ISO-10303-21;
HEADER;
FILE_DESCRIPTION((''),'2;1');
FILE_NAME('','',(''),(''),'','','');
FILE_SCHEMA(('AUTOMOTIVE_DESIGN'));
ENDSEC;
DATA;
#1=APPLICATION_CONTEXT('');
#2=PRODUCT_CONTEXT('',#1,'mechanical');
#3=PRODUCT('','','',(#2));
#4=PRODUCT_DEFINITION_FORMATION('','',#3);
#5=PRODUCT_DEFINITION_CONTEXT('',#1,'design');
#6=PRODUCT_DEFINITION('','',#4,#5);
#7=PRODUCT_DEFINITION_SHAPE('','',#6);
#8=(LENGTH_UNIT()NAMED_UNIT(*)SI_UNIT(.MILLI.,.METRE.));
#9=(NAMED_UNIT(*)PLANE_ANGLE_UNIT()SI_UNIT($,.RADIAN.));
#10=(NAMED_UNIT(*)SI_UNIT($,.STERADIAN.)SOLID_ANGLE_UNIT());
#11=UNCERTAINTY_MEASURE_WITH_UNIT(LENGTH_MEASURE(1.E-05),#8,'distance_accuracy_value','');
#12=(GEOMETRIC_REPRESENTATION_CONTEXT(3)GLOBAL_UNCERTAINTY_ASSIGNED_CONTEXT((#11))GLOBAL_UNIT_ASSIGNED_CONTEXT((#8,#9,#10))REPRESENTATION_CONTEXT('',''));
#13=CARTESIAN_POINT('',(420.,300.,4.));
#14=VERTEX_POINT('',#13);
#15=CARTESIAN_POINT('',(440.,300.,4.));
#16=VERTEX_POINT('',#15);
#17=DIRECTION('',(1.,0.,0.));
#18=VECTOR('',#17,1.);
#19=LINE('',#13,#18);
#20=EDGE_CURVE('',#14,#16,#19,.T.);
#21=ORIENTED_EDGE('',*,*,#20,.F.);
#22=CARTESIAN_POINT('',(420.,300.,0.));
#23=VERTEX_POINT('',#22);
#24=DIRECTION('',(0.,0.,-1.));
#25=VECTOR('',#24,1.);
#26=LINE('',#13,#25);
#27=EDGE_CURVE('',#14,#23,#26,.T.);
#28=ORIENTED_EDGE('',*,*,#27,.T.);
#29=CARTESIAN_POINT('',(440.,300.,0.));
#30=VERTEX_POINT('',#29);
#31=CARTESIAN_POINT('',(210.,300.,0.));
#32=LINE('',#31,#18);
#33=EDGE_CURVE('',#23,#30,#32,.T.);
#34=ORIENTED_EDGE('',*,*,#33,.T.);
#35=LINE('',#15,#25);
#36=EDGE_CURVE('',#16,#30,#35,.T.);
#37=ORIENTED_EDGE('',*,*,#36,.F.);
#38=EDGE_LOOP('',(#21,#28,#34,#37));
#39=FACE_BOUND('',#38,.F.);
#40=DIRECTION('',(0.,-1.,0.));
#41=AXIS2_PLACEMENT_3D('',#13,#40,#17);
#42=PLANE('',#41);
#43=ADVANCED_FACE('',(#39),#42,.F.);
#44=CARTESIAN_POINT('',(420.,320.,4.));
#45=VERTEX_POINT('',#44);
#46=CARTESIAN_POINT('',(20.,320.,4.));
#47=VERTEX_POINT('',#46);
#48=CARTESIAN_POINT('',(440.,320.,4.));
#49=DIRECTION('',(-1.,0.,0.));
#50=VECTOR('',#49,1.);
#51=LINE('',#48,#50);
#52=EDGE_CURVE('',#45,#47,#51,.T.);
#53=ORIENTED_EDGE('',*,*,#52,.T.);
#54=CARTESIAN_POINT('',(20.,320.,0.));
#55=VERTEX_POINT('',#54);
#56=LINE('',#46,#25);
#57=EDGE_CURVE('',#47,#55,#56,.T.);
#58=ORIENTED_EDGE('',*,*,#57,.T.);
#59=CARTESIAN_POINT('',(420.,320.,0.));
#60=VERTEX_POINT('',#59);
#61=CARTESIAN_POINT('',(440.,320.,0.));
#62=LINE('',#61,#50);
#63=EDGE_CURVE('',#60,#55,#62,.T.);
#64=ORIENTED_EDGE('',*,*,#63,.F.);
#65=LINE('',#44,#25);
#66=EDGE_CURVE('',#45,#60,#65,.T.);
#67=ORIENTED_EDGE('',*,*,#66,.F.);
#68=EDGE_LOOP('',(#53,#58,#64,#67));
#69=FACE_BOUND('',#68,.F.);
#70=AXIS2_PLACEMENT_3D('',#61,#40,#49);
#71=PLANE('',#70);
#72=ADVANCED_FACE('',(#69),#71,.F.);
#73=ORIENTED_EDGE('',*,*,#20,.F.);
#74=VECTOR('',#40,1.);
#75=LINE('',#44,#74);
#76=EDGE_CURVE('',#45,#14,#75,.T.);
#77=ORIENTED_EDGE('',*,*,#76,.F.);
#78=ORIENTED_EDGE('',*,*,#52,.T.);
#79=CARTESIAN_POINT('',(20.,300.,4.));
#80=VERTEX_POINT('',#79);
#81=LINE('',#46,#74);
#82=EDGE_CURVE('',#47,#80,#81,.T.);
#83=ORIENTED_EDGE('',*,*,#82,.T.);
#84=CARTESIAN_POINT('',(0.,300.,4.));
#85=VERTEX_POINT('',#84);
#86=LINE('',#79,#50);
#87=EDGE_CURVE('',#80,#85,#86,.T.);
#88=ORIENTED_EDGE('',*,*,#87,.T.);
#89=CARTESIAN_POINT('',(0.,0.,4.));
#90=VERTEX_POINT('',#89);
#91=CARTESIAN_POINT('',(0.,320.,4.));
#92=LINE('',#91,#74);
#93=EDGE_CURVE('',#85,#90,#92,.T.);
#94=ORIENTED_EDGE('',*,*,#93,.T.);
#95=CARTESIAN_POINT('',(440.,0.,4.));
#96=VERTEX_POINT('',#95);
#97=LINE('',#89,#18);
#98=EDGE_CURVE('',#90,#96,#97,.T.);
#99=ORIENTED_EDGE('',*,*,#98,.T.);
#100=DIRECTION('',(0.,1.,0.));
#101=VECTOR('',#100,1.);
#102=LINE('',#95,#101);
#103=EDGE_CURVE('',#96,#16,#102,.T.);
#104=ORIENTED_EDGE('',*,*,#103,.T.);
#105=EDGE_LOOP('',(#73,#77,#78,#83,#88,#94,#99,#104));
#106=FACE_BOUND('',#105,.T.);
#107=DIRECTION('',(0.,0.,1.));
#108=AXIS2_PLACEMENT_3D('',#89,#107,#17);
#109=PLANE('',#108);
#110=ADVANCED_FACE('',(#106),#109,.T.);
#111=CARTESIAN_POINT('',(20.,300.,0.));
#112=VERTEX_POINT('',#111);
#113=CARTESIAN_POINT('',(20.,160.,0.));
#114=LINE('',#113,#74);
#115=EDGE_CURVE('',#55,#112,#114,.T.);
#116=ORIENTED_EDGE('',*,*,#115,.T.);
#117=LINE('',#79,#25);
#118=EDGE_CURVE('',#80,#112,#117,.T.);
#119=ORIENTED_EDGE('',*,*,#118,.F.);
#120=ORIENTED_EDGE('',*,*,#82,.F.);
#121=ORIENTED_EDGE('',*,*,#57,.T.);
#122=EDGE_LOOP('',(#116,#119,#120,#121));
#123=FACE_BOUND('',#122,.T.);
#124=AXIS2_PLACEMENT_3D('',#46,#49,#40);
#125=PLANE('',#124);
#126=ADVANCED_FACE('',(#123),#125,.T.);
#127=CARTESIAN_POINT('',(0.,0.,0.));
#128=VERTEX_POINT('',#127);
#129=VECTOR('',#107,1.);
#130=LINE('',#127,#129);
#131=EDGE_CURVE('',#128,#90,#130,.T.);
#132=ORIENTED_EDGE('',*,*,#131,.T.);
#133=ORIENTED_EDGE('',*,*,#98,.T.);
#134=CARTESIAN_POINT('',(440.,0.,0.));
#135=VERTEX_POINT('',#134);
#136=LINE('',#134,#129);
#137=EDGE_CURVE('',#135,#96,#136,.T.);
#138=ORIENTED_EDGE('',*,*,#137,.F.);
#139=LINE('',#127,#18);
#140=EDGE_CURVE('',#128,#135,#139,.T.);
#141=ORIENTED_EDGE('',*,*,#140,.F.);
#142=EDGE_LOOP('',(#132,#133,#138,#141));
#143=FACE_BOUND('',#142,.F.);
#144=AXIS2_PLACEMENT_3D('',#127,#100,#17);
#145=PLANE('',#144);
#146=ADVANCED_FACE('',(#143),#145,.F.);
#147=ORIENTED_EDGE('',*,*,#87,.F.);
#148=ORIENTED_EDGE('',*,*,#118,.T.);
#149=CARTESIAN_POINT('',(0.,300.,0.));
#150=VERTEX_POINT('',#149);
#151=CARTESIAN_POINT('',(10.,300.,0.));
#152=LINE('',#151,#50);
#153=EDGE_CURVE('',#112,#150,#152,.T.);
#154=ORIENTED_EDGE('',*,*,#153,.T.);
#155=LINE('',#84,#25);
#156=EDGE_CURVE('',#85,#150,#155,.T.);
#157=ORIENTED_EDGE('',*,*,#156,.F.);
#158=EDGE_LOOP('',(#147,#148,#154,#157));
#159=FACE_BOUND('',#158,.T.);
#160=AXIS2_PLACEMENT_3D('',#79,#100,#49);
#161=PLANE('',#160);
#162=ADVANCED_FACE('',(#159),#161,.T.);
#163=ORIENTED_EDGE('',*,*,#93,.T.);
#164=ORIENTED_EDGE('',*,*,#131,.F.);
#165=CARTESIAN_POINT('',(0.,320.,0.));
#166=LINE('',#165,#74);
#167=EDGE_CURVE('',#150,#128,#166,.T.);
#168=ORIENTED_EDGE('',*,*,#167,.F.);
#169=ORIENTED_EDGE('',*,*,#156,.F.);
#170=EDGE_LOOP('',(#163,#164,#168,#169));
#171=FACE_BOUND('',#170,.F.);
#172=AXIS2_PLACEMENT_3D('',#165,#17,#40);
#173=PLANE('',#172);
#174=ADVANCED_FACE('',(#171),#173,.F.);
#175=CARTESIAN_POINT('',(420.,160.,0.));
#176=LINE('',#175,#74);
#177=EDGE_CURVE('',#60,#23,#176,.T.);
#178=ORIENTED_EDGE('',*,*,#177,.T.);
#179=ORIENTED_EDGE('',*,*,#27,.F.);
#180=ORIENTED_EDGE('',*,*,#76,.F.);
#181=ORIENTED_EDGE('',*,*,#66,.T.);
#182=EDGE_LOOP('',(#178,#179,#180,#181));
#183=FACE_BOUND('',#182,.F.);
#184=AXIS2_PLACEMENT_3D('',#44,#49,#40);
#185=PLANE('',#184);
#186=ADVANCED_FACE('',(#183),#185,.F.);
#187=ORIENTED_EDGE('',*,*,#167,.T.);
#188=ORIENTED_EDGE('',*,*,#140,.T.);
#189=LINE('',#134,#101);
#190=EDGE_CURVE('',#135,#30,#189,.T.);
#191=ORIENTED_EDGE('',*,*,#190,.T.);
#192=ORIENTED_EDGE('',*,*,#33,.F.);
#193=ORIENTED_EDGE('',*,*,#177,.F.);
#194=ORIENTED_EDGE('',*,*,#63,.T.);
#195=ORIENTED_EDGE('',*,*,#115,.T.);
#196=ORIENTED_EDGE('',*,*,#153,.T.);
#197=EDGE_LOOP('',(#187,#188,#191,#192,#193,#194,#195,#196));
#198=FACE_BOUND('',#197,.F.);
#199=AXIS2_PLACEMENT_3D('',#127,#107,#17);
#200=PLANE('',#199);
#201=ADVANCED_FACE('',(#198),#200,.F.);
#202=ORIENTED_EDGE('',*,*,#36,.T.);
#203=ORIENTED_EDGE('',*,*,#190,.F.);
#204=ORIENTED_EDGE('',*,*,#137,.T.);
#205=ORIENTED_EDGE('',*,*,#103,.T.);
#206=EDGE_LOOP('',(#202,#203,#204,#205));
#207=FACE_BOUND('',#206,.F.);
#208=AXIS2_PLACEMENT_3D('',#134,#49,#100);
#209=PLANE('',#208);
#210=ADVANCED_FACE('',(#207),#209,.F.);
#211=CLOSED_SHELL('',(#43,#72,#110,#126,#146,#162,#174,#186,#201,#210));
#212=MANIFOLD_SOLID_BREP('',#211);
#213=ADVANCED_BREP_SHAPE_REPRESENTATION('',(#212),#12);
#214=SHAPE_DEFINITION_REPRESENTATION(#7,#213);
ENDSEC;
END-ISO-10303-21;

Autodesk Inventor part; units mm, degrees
ref_plane "YZ Plane" through (0, 0, 0) normal (1, 0, 0) x (0, 1, 0)
ref_plane "XZ Plane" through (0, 0, 0) normal (0, 1, 0) x (-1, 0, 0)
ref_plane "XY Plane" through (0, 0, 0) normal (0, 0, 1) x (1, 0, 0)
sketch "スケッチ1" plane through (0, 0, 0) normal (0, 0, 1) x (1, 0, 0)
  line L0 (0, 0) -> (440, 0)
  line L1 (440, 0) -> (440, 320)
  line L2 (440, 320) -> (0, 320)
  line L3 (0, 320) -> (0, 0)
  dimension "d0" = 440
  dimension "d1" = 320
extrude "押し出し1" add sketch "スケッチ1" along normal blind 4
sketch "スケッチ2" plane through (0, 0, 4) normal (0, 0, 1) x (1, 0, 0)
  line L0 (440, 320) -> (0, 320) projected
  line L1 (0, 320) -> (20, 320)
  line L2 (20, 320) -> (20, 300)
  line L3 (20, 300) -> (0, 300)
  line L4 (0, 300) -> (0, 320)
  line L5 (440, 320) -> (420, 320)
  line L6 (420, 320) -> (420, 300)
  line L7 (420, 300) -> (440, 300)
  line L8 (440, 300) -> (440, 320)
  point P0 (0, 0)
  dimension "d4" = 20
extrude "押し出し2" cut sketch "スケッチ2" against normal blind 10
properties part number "防水p3"
